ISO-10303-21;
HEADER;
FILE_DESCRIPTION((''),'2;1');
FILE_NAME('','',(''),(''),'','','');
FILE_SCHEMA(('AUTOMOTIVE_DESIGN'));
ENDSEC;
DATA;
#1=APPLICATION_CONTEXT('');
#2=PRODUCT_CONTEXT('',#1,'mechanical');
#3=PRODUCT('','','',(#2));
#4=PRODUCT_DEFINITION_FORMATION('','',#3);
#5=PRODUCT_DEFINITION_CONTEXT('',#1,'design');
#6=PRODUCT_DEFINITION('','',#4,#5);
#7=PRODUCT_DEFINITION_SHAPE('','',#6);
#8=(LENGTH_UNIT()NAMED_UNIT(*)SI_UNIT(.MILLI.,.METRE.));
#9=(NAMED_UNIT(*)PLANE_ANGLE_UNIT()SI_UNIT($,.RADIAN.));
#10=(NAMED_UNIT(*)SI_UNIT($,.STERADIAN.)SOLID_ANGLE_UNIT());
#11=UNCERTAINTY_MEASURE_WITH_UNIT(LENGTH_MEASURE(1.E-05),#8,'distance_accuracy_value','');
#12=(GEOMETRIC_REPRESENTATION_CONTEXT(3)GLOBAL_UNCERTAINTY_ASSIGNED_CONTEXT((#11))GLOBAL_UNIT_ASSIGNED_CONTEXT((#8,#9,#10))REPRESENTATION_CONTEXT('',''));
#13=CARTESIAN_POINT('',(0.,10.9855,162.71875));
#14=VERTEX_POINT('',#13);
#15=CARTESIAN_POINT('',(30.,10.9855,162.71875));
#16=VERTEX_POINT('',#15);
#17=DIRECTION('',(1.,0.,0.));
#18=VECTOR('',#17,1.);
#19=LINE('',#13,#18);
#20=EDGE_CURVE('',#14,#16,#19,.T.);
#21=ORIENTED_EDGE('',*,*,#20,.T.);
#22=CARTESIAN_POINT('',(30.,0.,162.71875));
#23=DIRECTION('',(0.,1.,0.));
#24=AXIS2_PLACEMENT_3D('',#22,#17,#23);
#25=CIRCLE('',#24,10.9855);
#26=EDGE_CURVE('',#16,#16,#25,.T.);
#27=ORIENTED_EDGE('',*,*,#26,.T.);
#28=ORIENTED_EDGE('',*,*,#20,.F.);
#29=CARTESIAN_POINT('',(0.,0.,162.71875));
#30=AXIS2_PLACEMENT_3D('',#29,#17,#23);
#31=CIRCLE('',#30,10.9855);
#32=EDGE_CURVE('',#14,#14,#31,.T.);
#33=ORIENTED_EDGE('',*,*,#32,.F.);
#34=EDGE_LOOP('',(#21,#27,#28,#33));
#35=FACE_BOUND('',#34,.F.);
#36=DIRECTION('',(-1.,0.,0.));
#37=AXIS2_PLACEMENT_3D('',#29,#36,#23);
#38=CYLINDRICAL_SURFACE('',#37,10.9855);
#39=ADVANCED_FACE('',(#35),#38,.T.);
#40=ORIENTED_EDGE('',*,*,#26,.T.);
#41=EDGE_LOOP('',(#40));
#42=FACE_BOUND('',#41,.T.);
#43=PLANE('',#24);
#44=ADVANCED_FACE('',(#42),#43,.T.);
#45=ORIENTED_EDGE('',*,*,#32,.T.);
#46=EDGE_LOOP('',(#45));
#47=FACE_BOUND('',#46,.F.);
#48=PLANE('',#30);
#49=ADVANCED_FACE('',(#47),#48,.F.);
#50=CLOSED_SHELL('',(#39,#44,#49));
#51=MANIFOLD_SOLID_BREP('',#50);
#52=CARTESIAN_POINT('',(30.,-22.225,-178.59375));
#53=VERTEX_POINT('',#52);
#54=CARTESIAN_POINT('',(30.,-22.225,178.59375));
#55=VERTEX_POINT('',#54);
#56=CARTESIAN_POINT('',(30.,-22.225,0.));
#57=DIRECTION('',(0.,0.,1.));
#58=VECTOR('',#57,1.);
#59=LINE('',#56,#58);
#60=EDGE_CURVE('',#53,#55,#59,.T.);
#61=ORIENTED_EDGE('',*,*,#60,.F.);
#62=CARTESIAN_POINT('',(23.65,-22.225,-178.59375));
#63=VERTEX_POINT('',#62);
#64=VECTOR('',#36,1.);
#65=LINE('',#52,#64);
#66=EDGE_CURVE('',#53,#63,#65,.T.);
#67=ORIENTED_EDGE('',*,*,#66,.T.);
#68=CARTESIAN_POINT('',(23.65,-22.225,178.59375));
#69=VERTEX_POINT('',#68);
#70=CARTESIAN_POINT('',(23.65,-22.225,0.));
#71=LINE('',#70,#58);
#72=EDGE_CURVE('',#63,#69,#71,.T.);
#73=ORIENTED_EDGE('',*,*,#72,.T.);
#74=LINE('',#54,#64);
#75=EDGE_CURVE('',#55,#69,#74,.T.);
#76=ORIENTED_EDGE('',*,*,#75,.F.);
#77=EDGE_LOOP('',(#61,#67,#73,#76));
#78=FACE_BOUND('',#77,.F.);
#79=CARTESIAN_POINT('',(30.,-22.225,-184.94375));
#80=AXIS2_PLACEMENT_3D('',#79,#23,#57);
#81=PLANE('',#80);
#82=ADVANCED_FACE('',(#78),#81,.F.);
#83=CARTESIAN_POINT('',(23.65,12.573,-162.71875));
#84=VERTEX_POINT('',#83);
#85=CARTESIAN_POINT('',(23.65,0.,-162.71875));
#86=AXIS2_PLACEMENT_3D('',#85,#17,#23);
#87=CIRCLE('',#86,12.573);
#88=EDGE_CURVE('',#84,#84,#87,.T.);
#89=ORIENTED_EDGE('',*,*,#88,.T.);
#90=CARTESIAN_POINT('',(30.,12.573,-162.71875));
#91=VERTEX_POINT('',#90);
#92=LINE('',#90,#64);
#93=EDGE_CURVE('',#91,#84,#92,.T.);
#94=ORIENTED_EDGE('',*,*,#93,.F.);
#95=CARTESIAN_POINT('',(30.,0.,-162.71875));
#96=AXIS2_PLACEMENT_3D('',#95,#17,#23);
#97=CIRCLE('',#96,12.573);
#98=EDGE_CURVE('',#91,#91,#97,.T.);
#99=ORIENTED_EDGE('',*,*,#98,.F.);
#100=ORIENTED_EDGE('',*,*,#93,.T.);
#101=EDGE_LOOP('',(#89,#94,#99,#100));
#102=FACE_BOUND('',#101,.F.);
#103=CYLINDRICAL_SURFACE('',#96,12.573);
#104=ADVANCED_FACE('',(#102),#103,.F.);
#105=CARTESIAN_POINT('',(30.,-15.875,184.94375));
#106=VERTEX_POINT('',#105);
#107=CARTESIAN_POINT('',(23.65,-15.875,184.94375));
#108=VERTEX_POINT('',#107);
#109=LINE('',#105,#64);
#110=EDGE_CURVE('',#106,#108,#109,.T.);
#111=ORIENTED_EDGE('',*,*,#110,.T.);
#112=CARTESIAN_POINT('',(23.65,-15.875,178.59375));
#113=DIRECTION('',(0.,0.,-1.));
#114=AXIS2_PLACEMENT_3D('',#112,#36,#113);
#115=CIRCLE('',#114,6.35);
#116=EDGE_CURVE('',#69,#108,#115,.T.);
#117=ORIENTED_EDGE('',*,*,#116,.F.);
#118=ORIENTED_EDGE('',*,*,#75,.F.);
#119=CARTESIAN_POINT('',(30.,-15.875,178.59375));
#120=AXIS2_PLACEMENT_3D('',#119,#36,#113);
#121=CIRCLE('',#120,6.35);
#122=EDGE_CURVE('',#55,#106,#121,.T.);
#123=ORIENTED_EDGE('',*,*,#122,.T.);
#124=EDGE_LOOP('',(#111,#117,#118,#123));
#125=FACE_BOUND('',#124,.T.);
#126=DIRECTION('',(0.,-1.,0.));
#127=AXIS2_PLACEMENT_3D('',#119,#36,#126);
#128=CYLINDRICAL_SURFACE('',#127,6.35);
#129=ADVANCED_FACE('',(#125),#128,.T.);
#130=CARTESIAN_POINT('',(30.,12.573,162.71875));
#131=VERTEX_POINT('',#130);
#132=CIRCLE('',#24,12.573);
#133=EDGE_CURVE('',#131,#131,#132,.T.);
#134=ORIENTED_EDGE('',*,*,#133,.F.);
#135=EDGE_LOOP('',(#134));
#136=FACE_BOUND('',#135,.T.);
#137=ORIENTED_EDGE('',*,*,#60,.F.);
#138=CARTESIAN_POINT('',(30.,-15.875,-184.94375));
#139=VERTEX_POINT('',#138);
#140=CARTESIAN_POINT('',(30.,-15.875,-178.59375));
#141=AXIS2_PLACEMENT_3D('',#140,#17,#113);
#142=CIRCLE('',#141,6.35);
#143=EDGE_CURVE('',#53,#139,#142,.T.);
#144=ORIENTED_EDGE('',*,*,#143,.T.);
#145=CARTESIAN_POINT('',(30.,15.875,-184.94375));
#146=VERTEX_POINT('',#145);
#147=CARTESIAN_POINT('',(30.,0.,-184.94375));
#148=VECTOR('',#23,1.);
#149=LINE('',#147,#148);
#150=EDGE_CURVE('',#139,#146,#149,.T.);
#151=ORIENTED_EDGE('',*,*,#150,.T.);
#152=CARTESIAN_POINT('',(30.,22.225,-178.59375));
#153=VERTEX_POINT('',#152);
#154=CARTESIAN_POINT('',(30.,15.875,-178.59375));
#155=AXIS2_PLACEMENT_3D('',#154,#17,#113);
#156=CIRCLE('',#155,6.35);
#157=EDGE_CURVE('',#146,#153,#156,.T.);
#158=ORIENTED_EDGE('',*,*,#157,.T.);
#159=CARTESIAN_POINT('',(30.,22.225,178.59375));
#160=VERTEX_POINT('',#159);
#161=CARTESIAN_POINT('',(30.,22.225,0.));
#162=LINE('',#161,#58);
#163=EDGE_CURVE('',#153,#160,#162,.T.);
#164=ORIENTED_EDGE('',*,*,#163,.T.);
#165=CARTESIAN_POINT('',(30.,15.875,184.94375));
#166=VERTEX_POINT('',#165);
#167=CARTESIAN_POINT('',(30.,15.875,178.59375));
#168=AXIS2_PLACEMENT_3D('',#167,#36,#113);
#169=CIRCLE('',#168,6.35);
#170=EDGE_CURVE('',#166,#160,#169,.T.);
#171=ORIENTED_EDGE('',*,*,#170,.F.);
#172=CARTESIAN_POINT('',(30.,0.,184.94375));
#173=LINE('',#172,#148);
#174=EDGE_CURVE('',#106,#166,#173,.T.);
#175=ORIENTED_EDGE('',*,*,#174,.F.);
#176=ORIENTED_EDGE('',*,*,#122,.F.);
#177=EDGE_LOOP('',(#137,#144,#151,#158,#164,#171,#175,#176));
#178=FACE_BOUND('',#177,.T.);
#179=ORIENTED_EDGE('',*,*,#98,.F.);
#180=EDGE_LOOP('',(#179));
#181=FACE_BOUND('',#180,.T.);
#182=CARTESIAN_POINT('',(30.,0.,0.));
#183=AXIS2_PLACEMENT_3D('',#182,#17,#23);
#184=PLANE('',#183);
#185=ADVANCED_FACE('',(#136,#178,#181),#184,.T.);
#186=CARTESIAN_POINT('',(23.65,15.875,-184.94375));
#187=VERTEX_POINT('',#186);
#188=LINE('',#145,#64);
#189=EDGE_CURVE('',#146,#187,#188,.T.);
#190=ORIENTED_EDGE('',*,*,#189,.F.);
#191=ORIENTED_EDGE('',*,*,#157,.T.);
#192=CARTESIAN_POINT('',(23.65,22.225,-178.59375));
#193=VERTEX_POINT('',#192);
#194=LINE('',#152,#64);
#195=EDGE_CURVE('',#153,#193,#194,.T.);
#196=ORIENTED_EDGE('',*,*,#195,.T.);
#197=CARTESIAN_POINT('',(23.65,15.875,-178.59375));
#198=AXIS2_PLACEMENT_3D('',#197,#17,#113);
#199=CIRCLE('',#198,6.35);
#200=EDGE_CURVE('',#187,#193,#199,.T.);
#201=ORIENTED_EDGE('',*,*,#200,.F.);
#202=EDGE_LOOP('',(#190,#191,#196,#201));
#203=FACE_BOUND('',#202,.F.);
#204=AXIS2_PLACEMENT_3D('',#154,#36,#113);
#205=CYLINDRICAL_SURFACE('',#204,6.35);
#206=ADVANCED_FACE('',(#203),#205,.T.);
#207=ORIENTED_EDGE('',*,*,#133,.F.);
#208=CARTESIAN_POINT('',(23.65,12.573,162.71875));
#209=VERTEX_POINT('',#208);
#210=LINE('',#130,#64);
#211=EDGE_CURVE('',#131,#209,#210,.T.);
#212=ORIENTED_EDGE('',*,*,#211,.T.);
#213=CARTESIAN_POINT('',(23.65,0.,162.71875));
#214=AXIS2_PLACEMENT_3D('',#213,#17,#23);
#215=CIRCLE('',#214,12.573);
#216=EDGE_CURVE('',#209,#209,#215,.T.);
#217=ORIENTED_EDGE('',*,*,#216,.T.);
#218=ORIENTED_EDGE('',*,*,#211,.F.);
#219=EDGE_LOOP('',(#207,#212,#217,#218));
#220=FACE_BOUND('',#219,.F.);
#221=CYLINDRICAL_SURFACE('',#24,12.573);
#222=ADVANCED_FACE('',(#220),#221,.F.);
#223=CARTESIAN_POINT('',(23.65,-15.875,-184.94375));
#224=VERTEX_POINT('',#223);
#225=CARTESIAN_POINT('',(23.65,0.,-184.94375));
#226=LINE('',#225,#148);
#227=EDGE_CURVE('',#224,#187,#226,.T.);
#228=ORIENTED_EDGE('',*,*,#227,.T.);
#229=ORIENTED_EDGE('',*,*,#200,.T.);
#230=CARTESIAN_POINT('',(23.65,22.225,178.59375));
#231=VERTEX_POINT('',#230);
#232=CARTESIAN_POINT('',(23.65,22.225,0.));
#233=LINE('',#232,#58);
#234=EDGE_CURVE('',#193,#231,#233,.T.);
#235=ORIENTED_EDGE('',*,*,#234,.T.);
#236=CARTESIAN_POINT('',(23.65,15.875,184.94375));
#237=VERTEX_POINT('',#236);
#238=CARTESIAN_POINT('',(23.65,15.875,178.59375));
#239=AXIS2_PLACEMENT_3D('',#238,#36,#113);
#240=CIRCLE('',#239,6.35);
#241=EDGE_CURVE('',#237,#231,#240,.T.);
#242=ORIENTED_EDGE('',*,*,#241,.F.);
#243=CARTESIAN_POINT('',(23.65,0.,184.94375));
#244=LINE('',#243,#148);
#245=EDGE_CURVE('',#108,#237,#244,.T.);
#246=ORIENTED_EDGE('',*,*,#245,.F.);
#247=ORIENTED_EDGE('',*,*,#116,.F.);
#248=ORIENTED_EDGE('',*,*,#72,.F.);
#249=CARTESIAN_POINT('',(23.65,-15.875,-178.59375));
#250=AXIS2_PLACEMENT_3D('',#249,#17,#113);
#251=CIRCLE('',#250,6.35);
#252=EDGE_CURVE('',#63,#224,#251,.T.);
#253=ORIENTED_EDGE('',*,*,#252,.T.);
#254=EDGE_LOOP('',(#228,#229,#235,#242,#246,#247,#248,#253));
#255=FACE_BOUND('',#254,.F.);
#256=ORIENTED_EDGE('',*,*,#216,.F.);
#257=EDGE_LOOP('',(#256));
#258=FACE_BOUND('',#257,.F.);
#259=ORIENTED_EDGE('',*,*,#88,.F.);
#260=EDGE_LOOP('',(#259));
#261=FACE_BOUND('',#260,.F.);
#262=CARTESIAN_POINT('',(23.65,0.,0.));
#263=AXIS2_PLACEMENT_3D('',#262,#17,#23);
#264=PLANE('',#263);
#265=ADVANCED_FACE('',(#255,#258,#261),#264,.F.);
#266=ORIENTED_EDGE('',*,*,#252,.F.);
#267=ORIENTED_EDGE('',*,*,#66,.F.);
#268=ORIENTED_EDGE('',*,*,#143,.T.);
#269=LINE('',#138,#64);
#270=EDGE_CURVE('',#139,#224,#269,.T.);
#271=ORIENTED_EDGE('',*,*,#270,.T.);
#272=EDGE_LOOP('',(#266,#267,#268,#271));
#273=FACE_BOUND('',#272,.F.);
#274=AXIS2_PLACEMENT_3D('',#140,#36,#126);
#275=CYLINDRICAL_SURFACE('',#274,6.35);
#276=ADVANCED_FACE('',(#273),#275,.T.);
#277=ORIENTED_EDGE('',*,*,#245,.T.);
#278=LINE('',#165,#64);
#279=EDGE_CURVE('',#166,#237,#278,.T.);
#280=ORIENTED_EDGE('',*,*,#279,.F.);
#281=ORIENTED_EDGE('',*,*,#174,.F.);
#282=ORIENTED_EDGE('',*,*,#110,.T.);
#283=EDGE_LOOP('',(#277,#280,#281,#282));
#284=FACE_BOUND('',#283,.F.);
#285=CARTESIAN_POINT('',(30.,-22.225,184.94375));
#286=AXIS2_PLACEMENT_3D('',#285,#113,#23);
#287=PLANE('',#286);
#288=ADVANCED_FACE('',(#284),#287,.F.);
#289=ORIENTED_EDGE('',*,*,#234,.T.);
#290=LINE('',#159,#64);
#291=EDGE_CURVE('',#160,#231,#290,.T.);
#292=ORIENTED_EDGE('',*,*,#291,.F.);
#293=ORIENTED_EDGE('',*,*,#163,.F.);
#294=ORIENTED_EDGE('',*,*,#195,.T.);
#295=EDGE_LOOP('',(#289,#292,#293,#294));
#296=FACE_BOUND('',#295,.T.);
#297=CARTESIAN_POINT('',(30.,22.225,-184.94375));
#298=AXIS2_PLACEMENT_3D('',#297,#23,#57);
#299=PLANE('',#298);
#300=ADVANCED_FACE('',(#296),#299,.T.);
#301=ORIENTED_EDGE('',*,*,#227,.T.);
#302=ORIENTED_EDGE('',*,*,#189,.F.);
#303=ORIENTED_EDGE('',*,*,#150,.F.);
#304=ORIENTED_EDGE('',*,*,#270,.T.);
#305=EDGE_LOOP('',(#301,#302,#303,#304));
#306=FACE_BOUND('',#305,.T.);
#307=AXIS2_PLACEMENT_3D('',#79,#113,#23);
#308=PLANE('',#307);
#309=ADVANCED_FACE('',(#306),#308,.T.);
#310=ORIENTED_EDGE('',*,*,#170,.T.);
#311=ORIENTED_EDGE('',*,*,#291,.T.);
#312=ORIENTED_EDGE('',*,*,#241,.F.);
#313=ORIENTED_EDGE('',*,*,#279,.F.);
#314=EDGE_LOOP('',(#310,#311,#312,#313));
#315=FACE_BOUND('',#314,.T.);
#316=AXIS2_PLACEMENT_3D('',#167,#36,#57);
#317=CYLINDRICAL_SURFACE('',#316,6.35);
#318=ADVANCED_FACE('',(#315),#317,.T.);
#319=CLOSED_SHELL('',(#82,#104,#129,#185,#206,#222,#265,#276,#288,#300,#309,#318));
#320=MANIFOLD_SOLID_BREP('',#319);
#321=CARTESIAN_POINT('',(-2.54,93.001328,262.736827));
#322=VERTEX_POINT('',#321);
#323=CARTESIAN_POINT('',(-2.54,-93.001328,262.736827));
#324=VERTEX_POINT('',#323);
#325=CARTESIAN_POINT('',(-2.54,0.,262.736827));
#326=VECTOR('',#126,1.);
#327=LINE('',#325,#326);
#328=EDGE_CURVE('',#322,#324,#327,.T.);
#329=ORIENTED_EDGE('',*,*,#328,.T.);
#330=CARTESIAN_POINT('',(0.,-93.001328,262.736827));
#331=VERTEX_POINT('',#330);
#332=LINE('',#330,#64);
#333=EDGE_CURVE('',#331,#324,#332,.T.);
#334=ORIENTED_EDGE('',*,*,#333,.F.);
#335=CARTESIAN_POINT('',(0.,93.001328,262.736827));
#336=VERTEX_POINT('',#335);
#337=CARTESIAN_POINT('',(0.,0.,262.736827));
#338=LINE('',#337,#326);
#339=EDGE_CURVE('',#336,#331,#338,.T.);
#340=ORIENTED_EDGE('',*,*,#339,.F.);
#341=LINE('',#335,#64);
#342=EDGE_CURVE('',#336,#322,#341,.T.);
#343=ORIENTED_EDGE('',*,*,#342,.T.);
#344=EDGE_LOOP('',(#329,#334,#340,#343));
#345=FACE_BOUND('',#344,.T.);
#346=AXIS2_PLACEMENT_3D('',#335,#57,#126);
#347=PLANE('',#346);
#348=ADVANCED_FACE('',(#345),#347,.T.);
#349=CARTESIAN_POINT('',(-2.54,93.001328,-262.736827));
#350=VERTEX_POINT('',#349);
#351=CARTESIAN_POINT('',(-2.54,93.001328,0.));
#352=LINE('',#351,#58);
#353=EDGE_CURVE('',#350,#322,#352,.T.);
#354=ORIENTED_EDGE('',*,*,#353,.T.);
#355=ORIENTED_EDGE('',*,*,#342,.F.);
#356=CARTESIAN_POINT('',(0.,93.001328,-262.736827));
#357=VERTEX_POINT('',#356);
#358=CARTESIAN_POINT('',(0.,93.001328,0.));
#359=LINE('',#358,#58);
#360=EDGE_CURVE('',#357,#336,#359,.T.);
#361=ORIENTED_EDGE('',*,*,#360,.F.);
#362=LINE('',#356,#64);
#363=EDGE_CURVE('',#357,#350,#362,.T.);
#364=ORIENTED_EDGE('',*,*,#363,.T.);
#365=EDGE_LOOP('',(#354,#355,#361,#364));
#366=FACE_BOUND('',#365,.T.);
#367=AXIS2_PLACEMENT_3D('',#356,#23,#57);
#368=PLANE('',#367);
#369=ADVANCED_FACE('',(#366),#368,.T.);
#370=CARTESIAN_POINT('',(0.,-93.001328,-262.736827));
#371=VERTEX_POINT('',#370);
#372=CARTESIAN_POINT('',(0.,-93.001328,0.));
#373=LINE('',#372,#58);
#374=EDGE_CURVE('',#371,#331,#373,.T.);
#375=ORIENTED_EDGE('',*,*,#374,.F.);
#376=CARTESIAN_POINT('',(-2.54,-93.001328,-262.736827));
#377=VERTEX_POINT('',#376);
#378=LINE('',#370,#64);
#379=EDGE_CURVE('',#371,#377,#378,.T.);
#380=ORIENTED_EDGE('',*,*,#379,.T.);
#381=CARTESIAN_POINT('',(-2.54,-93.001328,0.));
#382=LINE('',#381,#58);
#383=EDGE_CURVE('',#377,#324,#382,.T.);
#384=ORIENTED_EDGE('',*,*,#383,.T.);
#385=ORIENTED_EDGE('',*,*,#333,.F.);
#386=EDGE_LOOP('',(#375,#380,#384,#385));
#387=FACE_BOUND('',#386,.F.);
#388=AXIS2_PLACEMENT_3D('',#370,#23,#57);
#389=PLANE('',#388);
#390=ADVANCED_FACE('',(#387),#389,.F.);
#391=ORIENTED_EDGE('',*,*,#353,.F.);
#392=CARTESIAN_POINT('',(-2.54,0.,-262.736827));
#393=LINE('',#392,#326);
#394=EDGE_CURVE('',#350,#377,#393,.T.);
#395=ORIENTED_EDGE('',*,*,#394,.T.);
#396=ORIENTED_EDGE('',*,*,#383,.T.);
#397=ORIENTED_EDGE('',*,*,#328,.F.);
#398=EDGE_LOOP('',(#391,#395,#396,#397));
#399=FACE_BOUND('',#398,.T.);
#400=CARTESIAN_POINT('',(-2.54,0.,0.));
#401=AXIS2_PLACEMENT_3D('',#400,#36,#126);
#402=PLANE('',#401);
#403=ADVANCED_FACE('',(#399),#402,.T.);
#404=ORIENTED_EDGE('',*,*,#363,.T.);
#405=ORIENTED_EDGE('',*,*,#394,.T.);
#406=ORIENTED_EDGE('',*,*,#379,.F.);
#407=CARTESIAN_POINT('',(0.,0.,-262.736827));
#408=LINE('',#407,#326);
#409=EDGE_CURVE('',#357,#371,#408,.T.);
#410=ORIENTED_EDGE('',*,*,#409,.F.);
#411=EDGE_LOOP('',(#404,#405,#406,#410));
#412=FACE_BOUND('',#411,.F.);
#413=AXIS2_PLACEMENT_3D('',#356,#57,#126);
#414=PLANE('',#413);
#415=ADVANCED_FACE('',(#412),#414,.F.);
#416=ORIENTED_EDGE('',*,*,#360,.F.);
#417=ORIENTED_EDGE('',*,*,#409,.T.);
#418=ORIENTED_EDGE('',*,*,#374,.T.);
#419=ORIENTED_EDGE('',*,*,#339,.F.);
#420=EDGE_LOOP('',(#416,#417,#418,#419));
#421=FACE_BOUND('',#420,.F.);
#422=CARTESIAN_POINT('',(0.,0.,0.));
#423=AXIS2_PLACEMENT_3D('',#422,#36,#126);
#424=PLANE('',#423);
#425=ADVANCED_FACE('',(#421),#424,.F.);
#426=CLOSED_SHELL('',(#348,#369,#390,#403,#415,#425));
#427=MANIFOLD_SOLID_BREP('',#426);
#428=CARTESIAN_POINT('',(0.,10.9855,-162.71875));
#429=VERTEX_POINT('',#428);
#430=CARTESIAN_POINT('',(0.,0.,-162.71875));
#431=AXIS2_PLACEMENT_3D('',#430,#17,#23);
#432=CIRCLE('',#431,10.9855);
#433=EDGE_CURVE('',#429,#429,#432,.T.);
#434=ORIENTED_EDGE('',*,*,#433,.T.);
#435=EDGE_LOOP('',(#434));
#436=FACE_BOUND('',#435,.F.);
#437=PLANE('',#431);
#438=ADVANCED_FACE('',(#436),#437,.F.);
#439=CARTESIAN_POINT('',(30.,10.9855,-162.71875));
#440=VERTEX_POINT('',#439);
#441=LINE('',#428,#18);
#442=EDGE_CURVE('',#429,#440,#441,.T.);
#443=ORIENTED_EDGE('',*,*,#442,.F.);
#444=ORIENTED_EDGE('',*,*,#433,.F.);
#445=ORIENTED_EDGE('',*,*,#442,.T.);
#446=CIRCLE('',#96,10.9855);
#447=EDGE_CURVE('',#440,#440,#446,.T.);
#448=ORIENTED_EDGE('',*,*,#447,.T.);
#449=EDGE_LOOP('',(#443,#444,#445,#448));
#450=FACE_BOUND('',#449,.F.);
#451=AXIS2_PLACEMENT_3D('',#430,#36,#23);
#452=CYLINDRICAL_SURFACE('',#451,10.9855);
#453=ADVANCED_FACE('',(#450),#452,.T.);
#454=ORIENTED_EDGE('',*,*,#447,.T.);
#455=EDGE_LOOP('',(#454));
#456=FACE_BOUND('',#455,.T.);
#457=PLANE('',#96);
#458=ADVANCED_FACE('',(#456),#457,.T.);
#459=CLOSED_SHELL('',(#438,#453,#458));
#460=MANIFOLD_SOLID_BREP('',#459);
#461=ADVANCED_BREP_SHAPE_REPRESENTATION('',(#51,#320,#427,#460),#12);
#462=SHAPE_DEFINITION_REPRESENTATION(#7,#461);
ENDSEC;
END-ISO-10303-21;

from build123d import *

# Parameters (mm, degrees)
F0_R     = 10.9855
F1_DEPTH = 30
F2_W     = 186.002656
F2_H     = 525.473654
F3_DEPTH = 2.54
F4_W     = 44.45
F4_H     = 369.8875
F4_R     = 12.573
F5_DEPTH = 6.35
F6_R     = 6.35


with BuildPart() as f1:
    # F0 (on Right) → F1 (new body)
    with BuildSketch(Plane.YZ):
        with Locations((0, -162.71875)):
            Circle(F0_R)
        with Locations((0, 162.71875)):
            Circle(F0_R)
    extrude(amount=F1_DEPTH)


with BuildPart() as f3:
    # F2 (on face) → F3 (new body)
    with BuildSketch(Plane(origin=(0, 0, 0), x_dir=(0, -1, 0), z_dir=(-1, 0, 0))):
        Rectangle(F2_W, F2_H)
    extrude(amount=F3_DEPTH)


with BuildPart() as f5:
    # F4 (on face) → F5 (new body)
    with BuildSketch(Plane.YZ.offset(30)):
        Rectangle(F4_W, F4_H)
        with Locations((0, -162.71875)):
            Circle(F4_R, mode=Mode.SUBTRACT)
        with Locations((0, 162.71875)):
            Circle(F4_R, mode=Mode.SUBTRACT)
    extrude(amount=-F5_DEPTH)

    # F6
    f6_edges = [f5.edges().sort_by_distance(p)[0] for p in [
        (26.825, -22.225, 184.94375),
        (26.825, 22.225, 184.94375),
        (26.825, 22.225, -184.94375),
        (26.825, -22.225, -184.94375),
    ]]
    fillet(f6_edges, radius=F6_R)


solid = Compound([f1.part, f3.part, f5.part])
